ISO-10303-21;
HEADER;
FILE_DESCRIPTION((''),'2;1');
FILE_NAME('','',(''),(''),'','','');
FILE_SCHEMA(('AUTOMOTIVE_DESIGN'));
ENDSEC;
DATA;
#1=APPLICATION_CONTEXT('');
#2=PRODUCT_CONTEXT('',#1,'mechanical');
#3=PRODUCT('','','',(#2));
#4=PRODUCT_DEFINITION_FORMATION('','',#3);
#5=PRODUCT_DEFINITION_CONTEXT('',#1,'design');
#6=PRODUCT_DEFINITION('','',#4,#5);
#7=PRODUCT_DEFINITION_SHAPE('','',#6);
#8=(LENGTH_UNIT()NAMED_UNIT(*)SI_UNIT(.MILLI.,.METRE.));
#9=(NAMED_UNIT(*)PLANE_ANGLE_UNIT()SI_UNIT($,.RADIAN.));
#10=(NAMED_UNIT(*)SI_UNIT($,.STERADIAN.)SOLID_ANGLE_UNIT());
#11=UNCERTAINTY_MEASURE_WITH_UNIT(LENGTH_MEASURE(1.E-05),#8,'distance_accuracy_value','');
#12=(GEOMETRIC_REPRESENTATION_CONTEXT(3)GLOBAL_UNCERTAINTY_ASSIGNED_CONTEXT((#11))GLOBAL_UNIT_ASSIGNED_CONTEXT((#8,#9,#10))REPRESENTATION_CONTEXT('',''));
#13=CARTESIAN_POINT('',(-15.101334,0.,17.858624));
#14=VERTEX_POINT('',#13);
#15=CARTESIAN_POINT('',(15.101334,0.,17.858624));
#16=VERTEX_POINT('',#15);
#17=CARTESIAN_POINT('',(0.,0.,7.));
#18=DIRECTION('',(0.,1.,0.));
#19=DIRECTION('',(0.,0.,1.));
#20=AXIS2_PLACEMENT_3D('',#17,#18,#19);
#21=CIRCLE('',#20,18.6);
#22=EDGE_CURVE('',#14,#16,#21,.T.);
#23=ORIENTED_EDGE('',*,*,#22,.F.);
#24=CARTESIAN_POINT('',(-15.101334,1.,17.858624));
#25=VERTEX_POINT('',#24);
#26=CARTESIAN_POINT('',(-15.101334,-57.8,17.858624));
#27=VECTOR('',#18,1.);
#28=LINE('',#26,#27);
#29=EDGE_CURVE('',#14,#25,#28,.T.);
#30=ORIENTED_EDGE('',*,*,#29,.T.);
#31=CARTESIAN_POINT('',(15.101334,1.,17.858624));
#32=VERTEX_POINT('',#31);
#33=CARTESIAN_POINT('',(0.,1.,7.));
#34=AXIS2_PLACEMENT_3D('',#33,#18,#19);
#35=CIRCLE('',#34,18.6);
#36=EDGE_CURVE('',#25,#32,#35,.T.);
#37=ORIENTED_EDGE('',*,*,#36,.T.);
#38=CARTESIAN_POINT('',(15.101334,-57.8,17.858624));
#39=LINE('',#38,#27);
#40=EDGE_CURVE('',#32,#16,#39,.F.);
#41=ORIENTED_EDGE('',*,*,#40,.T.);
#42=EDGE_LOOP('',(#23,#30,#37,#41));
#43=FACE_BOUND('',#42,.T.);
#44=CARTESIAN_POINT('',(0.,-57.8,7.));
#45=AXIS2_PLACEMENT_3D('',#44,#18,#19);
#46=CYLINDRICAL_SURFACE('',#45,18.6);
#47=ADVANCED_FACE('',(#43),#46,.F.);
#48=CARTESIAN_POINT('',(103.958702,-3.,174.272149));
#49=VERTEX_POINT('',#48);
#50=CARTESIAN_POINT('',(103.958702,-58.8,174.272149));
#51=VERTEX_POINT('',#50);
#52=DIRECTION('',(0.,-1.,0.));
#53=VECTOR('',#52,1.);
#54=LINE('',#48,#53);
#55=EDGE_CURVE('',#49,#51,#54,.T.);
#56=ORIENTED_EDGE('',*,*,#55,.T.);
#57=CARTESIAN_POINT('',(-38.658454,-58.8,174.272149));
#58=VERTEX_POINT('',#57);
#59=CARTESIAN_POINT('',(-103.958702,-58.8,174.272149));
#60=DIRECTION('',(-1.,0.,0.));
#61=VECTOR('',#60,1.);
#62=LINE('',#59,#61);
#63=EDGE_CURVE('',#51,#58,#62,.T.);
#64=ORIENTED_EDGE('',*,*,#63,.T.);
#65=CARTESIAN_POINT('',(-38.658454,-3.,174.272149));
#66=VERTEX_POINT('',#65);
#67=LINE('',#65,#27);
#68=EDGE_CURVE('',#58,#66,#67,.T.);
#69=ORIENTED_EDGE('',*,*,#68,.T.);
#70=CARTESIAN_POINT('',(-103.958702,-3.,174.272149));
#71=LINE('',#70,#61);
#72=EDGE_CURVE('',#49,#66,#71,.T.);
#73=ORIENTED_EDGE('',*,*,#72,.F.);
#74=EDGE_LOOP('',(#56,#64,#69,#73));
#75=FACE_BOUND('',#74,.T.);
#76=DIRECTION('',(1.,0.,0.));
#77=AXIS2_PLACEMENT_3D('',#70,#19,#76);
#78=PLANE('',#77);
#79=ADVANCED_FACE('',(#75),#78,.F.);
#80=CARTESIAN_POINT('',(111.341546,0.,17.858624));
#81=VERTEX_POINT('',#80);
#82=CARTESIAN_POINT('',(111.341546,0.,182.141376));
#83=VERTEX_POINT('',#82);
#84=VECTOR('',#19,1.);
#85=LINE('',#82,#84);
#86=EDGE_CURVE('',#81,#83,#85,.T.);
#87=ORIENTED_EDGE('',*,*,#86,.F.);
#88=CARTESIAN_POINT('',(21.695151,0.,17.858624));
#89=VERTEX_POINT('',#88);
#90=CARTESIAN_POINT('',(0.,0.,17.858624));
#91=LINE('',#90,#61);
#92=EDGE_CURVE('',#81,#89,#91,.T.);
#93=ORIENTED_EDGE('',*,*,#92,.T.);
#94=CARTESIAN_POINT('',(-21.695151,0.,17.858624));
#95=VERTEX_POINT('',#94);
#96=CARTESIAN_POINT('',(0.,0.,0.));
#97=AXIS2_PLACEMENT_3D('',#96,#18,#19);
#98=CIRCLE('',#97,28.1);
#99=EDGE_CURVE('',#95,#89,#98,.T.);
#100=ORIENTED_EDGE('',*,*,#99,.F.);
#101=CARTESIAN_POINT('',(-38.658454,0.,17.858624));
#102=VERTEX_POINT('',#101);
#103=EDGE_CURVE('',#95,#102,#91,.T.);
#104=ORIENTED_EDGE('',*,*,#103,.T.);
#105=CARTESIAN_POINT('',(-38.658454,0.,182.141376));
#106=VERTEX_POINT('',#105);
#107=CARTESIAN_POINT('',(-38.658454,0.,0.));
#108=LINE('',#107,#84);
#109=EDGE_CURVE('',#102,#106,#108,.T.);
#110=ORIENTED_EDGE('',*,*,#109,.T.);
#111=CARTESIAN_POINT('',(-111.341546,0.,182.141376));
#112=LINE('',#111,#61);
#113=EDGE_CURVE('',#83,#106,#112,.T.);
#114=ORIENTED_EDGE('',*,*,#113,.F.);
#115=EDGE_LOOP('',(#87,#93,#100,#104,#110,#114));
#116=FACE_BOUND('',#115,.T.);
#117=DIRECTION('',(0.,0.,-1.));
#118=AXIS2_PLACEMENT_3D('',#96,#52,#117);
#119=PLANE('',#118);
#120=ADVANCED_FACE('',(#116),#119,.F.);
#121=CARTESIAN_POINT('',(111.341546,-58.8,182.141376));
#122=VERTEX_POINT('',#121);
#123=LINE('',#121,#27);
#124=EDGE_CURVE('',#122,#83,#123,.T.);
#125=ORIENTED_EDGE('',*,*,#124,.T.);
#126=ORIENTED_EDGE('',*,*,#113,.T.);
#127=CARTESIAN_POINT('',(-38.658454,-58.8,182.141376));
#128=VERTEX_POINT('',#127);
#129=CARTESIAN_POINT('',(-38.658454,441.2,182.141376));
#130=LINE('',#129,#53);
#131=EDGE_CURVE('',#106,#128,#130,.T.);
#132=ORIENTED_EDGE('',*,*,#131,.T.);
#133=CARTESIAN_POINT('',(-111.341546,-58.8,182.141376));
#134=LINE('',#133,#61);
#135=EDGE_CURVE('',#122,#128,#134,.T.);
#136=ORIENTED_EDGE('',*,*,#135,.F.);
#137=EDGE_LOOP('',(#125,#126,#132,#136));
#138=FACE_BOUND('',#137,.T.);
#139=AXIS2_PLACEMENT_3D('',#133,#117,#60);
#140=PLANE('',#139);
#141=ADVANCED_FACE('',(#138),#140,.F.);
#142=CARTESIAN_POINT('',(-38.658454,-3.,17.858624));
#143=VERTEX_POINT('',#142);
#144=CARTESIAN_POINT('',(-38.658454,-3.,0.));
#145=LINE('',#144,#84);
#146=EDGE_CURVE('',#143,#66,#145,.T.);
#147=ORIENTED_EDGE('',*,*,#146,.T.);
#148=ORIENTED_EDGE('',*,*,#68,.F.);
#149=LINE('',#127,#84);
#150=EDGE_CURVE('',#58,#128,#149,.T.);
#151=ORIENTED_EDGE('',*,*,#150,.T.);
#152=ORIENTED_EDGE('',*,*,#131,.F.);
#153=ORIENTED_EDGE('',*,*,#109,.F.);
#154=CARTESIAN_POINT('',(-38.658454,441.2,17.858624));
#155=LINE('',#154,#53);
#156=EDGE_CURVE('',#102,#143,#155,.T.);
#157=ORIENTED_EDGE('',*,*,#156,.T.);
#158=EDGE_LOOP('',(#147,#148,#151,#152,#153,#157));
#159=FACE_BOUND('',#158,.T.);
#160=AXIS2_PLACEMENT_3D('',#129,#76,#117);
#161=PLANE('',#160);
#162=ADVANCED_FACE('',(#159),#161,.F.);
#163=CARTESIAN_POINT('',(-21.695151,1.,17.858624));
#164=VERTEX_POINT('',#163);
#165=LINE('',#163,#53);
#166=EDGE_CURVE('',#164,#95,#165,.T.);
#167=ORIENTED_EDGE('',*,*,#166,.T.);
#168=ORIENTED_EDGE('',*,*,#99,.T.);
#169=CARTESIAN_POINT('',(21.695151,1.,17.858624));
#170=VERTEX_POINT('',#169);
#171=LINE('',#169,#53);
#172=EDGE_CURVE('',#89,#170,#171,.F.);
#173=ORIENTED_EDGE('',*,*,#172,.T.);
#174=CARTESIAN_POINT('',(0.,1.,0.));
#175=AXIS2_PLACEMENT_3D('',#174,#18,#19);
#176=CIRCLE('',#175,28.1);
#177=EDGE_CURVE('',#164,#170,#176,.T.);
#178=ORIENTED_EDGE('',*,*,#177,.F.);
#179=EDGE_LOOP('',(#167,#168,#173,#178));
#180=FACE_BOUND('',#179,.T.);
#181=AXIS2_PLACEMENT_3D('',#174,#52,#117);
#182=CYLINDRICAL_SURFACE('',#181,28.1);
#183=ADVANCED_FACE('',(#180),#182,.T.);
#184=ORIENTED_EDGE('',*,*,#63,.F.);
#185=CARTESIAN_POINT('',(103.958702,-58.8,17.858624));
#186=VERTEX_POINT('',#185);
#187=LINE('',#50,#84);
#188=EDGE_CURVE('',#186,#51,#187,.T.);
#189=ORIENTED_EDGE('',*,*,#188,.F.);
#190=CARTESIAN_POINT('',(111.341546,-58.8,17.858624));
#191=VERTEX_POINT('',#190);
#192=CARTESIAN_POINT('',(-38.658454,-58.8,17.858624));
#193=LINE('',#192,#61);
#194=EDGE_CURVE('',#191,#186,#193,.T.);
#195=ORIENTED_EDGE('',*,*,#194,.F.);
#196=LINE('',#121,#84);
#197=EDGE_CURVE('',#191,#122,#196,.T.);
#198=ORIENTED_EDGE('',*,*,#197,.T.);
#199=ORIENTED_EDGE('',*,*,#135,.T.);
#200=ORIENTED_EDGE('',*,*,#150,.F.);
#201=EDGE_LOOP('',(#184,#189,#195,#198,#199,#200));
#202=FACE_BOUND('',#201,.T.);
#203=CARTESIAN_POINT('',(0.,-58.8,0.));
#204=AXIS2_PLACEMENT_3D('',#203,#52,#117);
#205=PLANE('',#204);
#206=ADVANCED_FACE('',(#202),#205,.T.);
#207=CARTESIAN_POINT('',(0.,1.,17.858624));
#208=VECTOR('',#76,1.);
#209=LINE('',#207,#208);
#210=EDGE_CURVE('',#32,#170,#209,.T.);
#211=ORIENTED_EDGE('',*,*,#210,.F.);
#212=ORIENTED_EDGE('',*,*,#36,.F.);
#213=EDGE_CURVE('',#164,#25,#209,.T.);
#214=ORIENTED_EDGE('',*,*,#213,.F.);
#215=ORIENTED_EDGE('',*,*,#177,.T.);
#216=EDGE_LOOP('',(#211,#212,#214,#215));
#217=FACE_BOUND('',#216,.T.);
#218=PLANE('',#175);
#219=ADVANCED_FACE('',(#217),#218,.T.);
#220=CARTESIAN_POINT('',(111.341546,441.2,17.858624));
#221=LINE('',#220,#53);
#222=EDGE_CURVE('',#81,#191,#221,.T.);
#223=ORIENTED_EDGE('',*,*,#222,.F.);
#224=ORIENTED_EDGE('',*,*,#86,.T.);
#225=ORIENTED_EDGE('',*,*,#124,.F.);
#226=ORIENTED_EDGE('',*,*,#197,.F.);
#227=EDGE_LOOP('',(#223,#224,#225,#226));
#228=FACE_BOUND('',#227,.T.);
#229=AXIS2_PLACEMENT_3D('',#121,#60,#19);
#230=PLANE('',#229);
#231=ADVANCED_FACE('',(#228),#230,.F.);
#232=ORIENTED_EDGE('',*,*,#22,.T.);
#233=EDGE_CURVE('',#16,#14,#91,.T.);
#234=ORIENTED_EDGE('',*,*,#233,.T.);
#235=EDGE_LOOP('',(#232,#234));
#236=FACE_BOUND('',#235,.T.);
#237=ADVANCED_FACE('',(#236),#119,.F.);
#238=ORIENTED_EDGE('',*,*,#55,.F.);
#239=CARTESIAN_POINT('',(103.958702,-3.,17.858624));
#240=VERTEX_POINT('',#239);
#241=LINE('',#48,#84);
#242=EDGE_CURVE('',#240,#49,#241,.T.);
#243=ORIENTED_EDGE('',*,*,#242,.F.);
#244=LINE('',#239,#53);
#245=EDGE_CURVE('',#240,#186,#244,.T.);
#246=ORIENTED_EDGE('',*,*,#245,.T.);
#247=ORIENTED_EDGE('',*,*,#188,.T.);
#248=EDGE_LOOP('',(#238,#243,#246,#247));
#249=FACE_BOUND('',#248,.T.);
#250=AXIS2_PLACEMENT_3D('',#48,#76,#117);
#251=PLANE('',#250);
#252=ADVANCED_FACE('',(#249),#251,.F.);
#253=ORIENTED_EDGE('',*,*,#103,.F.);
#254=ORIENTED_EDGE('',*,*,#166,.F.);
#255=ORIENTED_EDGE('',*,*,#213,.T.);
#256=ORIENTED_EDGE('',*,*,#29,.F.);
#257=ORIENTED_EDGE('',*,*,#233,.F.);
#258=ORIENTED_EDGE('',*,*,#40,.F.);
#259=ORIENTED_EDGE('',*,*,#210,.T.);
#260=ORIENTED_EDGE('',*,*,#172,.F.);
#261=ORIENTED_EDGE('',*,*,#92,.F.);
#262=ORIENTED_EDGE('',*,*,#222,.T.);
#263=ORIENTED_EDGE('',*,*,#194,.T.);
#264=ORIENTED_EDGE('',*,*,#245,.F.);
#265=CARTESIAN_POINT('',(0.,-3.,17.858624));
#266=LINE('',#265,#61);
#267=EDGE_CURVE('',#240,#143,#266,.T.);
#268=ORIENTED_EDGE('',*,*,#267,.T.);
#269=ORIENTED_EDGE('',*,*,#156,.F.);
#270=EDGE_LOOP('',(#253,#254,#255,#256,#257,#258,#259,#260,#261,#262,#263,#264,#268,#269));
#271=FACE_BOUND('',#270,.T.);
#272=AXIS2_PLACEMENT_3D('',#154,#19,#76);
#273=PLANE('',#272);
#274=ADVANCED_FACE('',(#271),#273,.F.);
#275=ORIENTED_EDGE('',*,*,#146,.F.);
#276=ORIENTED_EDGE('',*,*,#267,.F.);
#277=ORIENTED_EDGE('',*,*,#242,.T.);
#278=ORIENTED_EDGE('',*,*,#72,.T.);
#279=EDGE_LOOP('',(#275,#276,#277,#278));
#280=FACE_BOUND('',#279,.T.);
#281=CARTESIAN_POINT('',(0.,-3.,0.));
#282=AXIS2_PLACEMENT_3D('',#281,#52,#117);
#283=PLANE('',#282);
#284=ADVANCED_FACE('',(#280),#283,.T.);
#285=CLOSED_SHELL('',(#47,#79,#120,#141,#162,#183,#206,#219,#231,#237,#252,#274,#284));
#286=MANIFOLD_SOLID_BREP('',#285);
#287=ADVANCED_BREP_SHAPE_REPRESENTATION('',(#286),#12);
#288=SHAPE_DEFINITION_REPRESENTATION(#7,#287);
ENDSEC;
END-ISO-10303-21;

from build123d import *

# Parameters (mm, degrees)
SKETCH1_R           = 28.1
BOSS_EXTRUDE1_DEPTH = 1
SKETCH2_R           = 18.6
CUT_EXTRUDE1_DEPTH  = 58.8
SKETCH3_W           = 222.683092022
SKETCH3_H           = 364.2827524
BOSS_EXTRUDE2_DEPTH = 58.8
SKETCH4_W           = 207.917403516
SKETCH4_H           = 348.54429772
CUT_EXTRUDE2_DEPTH  = 55.8
SKETCH9_R           = 3
CUT_EXTRUDE8_DEPTH  = 10
SKETCH10_R          = 3.75
CUT_EXTRUDE9_DEPTH  = 10
CUT_EXTRUDE14_DEPTH = 500
SKETCH6_R           = 3.75
CUT_EXTRUDE5_DEPTH  = 400
SKETCH8_R           = 10
CUT_EXTRUDE7_DEPTH  = 10


with BuildPart() as part:
    # Sketch1 → Boss-Extrude1 (new body)
    with BuildSketch(Plane(origin=(0, 0, 0), x_dir=(1, 0, 0), z_dir=(0, 1, 0))):
        Circle(SKETCH1_R)
    extrude(amount=BOSS_EXTRUDE1_DEPTH)

    # Sketch2 → Cut-Extrude1 (cut)
    with BuildSketch(Plane(origin=(0, 1, 0), x_dir=(1, 0, 0), z_dir=(0, 1, 0))):
        with Locations((0, -7)):
            Circle(SKETCH2_R)
    extrude(amount=-CUT_EXTRUDE1_DEPTH, mode=Mode.SUBTRACT)

    # Sketch3 → Boss-Extrude2 (add)
    with BuildSketch(Plane(origin=(0, 0, 0), x_dir=(-1, 0, 0), z_dir=(0, -1, 0))):
        Rectangle(SKETCH3_W, SKETCH3_H)
    extrude(amount=BOSS_EXTRUDE2_DEPTH)

    # Sketch4 → Cut-Extrude2 (cut)
    with BuildSketch(Plane(origin=(0, -58.8, 0), x_dir=(-1, 0, 0), z_dir=(0, -1, 0))):
        Rectangle(SKETCH4_W, SKETCH4_H)
    extrude(amount=-CUT_EXTRUDE2_DEPTH, mode=Mode.SUBTRACT)

    # Sketch9 → Cut-Extrude8 (cut)
    with BuildSketch(Plane(origin=(0, 0, 0), x_dir=(1, 0, 0), z_dir=(0, 1, 0))):
        with Locations((0, -7)):
            Circle(SKETCH9_R)
    extrude(amount=-CUT_EXTRUDE8_DEPTH, mode=Mode.SUBTRACT)

    # Sketch10 → Cut-Extrude9 (cut)
    with BuildSketch(Plane(origin=(0, 1, 0), x_dir=(1, 0, 0), z_dir=(0, 1, 0))):
        with Locations((0, 19.85)):
            Circle(SKETCH10_R)
    extrude(amount=-CUT_EXTRUDE9_DEPTH, mode=Mode.SUBTRACT)

    # Sketch11 → Cut-Extrude14 (cut)
    with BuildSketch(Plane(origin=(0, -58.8, 0), x_dir=(-1, 0, 0), z_dir=(0, -1, 0))):
        Polygon((38.658453989, -17.8586238), (-111.341546011, -17.8586238), (-111.341546011, 182.1413762), (111.341546011, 182.1413762), (111.341546011, -182.1413762), (38.658453989, -182.1413762), align=None)
    extrude(amount=-CUT_EXTRUDE14_DEPTH, mode=Mode.SUBTRACT)

    # Sketch6 → Cut-Extrude5 (cut)
    with BuildSketch(Plane(origin=(0, 1, 0), x_dir=(1, 0, 0), z_dir=(0, 1, 0))):
        with Locations((0, 18.75)):
            Circle(SKETCH6_R)
    extrude(amount=-CUT_EXTRUDE5_DEPTH, mode=Mode.SUBTRACT)

    # Sketch8 → Cut-Extrude7 (cut)
    with BuildSketch(Plane(origin=(0, 0, -182.1413762), x_dir=(-1, 0, 0), z_dir=(0, 0, -1))):
        with Locations((-86.573671766, -25.011155335)):
            Circle(SKETCH8_R)
    extrude(amount=-CUT_EXTRUDE7_DEPTH, mode=Mode.SUBTRACT)


solid = part.part
